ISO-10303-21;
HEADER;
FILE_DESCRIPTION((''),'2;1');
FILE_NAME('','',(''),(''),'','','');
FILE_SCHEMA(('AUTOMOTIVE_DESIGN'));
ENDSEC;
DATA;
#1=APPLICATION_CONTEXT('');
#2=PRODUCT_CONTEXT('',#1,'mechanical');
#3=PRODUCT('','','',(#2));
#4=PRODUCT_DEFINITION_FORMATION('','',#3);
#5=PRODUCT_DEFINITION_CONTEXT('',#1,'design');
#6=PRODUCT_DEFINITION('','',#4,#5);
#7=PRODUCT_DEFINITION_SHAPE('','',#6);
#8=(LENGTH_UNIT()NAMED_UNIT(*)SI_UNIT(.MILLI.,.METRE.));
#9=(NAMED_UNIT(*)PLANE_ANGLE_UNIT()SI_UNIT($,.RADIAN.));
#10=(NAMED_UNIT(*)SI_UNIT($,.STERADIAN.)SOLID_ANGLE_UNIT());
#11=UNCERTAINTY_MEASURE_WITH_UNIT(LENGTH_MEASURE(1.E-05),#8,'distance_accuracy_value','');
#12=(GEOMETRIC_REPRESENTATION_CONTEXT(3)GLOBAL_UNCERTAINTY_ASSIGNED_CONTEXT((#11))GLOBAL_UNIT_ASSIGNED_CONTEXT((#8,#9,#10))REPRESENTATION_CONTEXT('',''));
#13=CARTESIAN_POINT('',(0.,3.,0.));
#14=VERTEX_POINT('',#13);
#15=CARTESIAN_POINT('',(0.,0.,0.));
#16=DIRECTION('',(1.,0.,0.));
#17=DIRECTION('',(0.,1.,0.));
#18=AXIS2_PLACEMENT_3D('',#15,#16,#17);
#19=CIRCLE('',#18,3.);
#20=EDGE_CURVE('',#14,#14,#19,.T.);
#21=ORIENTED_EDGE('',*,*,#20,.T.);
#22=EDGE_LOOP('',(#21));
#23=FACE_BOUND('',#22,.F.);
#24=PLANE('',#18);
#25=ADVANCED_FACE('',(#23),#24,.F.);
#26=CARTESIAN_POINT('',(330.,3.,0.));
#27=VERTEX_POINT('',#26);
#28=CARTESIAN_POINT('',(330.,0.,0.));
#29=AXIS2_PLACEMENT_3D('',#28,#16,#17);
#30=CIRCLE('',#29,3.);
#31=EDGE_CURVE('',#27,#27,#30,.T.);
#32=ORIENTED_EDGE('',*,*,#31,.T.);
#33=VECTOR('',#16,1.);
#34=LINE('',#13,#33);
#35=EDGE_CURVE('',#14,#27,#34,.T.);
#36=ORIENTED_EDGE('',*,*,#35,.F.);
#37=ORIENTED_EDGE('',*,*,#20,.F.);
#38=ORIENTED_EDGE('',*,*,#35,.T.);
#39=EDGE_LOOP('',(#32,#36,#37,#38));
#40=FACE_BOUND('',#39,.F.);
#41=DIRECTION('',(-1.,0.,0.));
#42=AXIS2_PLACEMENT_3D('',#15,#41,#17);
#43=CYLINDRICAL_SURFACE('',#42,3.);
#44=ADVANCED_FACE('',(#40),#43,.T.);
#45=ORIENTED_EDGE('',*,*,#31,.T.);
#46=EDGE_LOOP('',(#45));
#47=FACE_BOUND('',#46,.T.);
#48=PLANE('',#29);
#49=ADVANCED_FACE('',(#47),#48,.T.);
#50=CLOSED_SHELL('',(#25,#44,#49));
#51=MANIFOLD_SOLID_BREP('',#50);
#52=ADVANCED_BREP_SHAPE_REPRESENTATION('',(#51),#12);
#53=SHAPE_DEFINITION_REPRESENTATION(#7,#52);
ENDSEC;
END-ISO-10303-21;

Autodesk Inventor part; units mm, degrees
ref_plane "YZ Plane" through (0, 0, 0) normal (1, 0, 0) x (0, 1, 0)
ref_plane "XZ Plane" through (0, 0, 0) normal (0, 1, 0) x (-1, 0, 0)
ref_plane "XY Plane" through (0, 0, 0) normal (0, 0, 1) x (1, 0, 0)
sketch "Skizze1" plane through (0, 0, 0) normal (1, 0, 0) x (0, 1, 0)
  circle A0 centre (0, 0) radius 3
  dimension "d0" = 6
extrude "Extrusion1" add sketch "Skizze1" along normal blind 330
properties part number "DriveLine 8x350mm" material "Edelstahl, 440C"
